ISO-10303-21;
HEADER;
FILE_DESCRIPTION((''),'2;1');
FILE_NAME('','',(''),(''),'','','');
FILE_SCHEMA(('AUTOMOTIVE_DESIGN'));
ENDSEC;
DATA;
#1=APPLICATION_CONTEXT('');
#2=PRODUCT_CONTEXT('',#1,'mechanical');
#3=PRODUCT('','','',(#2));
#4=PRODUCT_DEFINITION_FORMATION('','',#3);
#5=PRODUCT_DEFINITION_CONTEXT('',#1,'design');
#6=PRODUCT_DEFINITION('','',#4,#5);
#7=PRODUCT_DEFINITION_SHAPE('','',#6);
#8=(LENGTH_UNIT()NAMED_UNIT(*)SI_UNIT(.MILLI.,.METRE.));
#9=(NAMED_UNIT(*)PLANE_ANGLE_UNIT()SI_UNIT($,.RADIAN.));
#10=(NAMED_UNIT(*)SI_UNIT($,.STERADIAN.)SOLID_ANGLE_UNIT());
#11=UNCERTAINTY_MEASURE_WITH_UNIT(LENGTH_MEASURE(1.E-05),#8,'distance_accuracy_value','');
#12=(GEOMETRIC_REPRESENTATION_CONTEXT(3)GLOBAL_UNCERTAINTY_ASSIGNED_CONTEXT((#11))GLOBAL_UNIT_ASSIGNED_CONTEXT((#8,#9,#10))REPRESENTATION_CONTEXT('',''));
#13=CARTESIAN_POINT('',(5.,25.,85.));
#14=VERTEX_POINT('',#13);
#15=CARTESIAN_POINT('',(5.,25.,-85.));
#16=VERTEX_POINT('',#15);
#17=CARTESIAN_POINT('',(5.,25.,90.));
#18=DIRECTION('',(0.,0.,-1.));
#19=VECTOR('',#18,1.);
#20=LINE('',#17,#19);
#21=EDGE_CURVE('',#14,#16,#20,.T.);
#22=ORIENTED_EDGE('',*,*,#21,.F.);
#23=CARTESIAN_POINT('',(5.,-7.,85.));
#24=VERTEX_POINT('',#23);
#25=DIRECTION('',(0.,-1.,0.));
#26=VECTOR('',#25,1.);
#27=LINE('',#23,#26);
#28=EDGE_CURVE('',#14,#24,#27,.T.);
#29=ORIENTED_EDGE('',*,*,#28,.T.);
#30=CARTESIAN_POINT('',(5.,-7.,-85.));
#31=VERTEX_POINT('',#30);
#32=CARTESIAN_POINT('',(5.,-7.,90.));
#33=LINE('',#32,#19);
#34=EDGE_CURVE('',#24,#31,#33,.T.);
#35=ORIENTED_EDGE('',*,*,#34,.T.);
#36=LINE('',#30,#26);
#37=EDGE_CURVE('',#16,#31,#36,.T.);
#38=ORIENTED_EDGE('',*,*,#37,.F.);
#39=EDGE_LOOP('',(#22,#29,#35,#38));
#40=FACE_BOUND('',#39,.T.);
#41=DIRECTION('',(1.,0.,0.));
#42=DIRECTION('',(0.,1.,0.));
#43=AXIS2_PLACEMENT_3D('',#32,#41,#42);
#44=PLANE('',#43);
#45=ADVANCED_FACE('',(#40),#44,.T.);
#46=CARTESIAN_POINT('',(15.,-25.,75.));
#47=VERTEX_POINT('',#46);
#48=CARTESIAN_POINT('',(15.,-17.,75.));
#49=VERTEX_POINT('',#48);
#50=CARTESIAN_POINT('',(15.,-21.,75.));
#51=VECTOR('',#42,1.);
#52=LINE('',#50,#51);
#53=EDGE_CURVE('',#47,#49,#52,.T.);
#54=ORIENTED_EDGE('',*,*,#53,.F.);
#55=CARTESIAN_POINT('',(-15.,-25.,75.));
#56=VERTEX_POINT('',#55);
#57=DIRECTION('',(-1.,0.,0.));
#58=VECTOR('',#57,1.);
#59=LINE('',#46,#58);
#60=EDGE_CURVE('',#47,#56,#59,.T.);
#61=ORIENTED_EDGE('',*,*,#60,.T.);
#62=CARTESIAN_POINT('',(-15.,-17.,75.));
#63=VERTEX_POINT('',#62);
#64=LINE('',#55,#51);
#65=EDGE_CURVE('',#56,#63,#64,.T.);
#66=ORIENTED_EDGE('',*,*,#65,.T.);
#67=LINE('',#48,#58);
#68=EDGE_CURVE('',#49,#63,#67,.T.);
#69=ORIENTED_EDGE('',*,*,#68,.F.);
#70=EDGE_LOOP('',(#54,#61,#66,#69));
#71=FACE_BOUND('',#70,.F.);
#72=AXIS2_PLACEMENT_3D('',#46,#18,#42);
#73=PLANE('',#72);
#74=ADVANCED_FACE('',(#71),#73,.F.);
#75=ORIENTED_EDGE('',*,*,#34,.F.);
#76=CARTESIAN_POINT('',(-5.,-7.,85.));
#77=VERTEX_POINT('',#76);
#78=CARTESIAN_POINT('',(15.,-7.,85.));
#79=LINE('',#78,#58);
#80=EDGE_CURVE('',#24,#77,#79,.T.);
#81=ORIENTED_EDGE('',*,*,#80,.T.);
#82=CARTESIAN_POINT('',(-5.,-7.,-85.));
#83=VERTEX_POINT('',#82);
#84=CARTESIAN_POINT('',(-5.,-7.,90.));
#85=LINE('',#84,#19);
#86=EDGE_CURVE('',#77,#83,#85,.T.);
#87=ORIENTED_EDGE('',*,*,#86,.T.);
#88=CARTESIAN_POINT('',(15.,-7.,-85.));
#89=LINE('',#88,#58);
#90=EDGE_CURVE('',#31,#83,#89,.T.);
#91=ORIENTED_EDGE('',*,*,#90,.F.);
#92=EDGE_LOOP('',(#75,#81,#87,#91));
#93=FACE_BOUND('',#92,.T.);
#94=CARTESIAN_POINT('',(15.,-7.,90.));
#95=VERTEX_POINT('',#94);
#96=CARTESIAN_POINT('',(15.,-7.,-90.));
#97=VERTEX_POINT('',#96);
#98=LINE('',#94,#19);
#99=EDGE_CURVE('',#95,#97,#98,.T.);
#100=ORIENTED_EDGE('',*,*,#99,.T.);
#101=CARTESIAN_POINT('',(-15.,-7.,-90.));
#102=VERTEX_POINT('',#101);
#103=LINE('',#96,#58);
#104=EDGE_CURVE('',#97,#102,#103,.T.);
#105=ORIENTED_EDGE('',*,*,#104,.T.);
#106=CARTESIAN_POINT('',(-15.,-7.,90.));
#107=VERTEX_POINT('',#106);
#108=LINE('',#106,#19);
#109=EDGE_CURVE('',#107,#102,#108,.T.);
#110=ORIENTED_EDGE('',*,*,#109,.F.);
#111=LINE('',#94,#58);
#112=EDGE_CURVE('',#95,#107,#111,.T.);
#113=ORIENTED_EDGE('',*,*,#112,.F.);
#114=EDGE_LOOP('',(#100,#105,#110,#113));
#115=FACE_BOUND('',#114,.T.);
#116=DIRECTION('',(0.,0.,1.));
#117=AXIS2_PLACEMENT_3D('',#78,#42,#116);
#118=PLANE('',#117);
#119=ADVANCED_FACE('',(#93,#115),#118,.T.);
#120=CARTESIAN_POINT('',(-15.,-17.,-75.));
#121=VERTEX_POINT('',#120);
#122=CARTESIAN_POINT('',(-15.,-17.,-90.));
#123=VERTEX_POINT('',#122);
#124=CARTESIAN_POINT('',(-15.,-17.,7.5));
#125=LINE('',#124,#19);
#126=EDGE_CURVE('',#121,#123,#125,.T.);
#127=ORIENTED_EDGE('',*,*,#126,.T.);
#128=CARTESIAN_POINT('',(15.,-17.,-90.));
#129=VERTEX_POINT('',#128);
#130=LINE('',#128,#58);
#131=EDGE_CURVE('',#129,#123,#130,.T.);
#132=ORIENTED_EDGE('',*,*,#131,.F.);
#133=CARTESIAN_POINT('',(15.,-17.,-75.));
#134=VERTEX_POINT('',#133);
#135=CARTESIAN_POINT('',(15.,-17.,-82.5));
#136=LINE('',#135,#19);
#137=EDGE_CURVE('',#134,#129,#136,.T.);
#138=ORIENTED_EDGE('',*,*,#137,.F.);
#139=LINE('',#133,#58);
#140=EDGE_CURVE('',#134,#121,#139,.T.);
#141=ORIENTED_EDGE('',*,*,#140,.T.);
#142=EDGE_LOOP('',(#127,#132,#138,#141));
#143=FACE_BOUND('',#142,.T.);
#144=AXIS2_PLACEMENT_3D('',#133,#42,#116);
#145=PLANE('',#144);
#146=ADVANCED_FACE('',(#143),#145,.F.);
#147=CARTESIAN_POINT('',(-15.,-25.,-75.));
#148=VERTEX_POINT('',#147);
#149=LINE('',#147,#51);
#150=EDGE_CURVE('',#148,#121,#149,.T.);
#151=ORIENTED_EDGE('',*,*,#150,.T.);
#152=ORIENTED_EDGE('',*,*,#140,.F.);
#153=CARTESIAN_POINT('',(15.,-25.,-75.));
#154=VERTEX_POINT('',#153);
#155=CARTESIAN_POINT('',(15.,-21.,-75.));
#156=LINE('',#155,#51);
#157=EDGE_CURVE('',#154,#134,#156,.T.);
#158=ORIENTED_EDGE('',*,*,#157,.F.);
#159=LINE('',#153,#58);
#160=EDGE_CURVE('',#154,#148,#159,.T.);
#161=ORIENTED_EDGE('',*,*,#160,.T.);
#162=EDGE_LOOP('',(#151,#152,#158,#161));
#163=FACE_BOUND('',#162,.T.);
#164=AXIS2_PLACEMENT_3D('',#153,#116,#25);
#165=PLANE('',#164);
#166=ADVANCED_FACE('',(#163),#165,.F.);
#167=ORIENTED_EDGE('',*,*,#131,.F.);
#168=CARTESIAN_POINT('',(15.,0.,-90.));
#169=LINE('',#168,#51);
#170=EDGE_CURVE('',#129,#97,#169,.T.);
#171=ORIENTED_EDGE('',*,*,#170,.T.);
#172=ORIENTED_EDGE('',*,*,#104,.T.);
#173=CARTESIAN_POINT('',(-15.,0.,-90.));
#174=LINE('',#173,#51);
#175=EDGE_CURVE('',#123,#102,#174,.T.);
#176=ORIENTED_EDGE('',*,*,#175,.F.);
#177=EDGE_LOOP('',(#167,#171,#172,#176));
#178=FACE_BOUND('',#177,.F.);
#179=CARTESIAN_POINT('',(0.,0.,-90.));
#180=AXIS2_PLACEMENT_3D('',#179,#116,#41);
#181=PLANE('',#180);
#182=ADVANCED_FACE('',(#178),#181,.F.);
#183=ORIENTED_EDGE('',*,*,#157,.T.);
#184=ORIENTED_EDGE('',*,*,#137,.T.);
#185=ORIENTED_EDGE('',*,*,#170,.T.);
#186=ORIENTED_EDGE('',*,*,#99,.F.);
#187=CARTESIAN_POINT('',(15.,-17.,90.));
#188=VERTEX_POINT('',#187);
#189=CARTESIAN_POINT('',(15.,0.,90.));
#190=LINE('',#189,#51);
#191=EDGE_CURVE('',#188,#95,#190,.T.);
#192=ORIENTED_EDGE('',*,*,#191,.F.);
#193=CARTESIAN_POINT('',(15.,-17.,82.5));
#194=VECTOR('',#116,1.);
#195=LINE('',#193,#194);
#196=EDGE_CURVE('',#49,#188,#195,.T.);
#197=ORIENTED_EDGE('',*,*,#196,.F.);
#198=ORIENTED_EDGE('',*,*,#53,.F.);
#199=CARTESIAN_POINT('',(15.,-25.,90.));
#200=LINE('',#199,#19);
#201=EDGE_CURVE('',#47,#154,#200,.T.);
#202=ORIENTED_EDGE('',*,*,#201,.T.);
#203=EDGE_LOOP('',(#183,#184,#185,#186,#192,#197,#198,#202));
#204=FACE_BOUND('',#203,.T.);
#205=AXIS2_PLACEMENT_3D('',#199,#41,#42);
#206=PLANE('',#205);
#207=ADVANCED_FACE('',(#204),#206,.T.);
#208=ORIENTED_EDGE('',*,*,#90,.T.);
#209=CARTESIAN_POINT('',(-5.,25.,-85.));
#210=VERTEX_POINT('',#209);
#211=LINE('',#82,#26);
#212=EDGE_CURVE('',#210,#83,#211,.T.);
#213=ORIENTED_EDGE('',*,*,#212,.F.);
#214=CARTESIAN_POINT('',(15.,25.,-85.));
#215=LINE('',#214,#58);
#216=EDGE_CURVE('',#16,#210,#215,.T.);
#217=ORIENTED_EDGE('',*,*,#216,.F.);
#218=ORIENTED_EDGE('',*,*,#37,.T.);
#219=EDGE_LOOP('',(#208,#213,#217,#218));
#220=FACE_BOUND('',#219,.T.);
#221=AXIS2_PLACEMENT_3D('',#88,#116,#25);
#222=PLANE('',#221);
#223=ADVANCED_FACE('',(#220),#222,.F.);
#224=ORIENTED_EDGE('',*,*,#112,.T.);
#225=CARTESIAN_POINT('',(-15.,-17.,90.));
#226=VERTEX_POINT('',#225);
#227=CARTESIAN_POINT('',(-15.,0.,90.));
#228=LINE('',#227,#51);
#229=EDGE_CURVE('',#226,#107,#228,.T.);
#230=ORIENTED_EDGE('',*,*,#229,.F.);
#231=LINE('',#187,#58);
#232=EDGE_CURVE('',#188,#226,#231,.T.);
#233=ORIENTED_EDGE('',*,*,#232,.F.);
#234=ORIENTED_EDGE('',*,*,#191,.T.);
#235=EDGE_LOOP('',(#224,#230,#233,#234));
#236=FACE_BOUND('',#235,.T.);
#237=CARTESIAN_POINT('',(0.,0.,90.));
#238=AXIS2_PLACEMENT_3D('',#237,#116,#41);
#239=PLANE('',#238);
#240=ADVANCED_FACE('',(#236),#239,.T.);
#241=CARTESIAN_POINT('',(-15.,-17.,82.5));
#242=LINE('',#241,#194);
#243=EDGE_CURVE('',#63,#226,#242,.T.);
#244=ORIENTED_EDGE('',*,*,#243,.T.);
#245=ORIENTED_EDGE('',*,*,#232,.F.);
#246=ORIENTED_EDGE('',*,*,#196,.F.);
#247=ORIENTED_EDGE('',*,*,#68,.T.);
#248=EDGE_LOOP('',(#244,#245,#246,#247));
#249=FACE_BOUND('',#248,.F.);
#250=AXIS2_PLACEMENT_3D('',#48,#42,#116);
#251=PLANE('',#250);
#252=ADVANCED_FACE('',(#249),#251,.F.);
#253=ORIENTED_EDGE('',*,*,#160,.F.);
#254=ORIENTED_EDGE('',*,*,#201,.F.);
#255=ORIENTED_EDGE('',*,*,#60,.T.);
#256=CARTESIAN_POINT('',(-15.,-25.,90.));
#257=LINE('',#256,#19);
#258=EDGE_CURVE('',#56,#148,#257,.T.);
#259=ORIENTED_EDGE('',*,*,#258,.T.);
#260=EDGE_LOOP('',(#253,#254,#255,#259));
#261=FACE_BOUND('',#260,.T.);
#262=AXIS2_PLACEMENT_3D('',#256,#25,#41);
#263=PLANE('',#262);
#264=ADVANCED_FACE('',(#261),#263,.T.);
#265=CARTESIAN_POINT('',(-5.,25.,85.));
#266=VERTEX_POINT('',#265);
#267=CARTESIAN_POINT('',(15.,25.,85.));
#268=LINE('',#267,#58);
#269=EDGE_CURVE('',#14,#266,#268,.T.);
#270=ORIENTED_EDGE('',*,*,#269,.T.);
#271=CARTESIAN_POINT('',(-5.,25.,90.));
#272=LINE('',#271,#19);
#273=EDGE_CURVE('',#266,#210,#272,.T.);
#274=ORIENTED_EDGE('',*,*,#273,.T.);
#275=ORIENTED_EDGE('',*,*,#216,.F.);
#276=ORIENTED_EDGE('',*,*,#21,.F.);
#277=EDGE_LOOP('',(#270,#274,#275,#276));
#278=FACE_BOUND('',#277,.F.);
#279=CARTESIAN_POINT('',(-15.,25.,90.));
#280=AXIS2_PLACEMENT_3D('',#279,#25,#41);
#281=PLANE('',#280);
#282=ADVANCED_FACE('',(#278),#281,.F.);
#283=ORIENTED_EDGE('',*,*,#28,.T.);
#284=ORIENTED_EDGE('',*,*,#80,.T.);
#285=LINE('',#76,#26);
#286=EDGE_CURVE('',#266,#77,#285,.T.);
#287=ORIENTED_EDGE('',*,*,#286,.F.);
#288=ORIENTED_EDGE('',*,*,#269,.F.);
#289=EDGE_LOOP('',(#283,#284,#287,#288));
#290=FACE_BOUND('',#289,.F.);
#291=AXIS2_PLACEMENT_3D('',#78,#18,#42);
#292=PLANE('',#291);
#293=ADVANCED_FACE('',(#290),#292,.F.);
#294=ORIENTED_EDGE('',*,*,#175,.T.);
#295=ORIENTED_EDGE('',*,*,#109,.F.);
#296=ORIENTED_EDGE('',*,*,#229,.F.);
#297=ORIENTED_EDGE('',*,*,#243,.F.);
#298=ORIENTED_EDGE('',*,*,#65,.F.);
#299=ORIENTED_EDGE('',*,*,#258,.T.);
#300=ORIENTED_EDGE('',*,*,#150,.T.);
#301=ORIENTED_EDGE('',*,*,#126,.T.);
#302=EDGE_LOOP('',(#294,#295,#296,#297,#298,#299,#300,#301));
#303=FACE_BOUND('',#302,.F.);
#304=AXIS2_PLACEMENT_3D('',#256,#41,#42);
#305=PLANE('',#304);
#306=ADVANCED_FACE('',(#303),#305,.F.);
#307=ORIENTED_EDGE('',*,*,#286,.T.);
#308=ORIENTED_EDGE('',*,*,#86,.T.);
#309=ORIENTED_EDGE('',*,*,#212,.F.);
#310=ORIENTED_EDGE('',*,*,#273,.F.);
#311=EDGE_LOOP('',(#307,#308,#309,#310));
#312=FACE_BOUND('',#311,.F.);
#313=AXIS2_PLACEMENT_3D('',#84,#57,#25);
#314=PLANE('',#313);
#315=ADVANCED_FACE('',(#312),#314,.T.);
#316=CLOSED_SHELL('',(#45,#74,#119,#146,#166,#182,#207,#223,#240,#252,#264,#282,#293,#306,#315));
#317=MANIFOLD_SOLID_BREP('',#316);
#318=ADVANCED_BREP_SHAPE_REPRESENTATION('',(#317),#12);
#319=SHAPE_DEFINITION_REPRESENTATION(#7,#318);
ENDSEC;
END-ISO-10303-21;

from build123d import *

# Parameters (mm, degrees)
SKETCH_W        = 30
SKETCH_H        = 50
PAD_DEPTH       = 180
SKETCH001_W     = 8
SKETCH001_H     = 15
SKETCH001_W_2   = 32
SKETCH001_H_2   = 5
POCKET_DEPTH    = 408.418759
SKETCH002_W     = 10
SKETCH002_H     = 32
POCKET001_DEPTH = 558.418759


with BuildPart() as part:
    # Sketch (on DatumPlane) → Pad (new body)
    with BuildSketch(Plane.XY.offset(90)):
        Rectangle(SKETCH_W, SKETCH_H)
    extrude(amount=-PAD_DEPTH)

    # Sketch001 (on DatumPlane) → Pocket (cut, through all)
    with BuildSketch(Plane.YZ.offset(15)):
        with Locations((-21, 82.5)):
            Rectangle(SKETCH001_W, SKETCH001_H)
        with Locations((9, 87.5)):
            Rectangle(SKETCH001_W_2, SKETCH001_H_2)
    pocket = extrude(amount=-POCKET_DEPTH, mode=Mode.SUBTRACT)

    # Mirrored: Pocket across XY
    add(pocket.mirror(Plane.XY), mode=Mode.SUBTRACT)

    # Sketch002 (on DatumPlane) → Pocket001 (cut, through all)
    with BuildSketch(Plane.XY.offset(90)):
        with Locations((10, 9)):
            Rectangle(SKETCH002_W, SKETCH002_H)
    pocket001 = extrude(amount=-POCKET001_DEPTH, mode=Mode.SUBTRACT)

    # Mirrored001: Pocket001 across Sketch002 V_Axis
    add(pocket001.mirror(Plane(origin=(0, 0, 90), x_dir=(0, 0, 1), z_dir=(1, 0, 0))), mode=Mode.SUBTRACT)


solid = part.part
